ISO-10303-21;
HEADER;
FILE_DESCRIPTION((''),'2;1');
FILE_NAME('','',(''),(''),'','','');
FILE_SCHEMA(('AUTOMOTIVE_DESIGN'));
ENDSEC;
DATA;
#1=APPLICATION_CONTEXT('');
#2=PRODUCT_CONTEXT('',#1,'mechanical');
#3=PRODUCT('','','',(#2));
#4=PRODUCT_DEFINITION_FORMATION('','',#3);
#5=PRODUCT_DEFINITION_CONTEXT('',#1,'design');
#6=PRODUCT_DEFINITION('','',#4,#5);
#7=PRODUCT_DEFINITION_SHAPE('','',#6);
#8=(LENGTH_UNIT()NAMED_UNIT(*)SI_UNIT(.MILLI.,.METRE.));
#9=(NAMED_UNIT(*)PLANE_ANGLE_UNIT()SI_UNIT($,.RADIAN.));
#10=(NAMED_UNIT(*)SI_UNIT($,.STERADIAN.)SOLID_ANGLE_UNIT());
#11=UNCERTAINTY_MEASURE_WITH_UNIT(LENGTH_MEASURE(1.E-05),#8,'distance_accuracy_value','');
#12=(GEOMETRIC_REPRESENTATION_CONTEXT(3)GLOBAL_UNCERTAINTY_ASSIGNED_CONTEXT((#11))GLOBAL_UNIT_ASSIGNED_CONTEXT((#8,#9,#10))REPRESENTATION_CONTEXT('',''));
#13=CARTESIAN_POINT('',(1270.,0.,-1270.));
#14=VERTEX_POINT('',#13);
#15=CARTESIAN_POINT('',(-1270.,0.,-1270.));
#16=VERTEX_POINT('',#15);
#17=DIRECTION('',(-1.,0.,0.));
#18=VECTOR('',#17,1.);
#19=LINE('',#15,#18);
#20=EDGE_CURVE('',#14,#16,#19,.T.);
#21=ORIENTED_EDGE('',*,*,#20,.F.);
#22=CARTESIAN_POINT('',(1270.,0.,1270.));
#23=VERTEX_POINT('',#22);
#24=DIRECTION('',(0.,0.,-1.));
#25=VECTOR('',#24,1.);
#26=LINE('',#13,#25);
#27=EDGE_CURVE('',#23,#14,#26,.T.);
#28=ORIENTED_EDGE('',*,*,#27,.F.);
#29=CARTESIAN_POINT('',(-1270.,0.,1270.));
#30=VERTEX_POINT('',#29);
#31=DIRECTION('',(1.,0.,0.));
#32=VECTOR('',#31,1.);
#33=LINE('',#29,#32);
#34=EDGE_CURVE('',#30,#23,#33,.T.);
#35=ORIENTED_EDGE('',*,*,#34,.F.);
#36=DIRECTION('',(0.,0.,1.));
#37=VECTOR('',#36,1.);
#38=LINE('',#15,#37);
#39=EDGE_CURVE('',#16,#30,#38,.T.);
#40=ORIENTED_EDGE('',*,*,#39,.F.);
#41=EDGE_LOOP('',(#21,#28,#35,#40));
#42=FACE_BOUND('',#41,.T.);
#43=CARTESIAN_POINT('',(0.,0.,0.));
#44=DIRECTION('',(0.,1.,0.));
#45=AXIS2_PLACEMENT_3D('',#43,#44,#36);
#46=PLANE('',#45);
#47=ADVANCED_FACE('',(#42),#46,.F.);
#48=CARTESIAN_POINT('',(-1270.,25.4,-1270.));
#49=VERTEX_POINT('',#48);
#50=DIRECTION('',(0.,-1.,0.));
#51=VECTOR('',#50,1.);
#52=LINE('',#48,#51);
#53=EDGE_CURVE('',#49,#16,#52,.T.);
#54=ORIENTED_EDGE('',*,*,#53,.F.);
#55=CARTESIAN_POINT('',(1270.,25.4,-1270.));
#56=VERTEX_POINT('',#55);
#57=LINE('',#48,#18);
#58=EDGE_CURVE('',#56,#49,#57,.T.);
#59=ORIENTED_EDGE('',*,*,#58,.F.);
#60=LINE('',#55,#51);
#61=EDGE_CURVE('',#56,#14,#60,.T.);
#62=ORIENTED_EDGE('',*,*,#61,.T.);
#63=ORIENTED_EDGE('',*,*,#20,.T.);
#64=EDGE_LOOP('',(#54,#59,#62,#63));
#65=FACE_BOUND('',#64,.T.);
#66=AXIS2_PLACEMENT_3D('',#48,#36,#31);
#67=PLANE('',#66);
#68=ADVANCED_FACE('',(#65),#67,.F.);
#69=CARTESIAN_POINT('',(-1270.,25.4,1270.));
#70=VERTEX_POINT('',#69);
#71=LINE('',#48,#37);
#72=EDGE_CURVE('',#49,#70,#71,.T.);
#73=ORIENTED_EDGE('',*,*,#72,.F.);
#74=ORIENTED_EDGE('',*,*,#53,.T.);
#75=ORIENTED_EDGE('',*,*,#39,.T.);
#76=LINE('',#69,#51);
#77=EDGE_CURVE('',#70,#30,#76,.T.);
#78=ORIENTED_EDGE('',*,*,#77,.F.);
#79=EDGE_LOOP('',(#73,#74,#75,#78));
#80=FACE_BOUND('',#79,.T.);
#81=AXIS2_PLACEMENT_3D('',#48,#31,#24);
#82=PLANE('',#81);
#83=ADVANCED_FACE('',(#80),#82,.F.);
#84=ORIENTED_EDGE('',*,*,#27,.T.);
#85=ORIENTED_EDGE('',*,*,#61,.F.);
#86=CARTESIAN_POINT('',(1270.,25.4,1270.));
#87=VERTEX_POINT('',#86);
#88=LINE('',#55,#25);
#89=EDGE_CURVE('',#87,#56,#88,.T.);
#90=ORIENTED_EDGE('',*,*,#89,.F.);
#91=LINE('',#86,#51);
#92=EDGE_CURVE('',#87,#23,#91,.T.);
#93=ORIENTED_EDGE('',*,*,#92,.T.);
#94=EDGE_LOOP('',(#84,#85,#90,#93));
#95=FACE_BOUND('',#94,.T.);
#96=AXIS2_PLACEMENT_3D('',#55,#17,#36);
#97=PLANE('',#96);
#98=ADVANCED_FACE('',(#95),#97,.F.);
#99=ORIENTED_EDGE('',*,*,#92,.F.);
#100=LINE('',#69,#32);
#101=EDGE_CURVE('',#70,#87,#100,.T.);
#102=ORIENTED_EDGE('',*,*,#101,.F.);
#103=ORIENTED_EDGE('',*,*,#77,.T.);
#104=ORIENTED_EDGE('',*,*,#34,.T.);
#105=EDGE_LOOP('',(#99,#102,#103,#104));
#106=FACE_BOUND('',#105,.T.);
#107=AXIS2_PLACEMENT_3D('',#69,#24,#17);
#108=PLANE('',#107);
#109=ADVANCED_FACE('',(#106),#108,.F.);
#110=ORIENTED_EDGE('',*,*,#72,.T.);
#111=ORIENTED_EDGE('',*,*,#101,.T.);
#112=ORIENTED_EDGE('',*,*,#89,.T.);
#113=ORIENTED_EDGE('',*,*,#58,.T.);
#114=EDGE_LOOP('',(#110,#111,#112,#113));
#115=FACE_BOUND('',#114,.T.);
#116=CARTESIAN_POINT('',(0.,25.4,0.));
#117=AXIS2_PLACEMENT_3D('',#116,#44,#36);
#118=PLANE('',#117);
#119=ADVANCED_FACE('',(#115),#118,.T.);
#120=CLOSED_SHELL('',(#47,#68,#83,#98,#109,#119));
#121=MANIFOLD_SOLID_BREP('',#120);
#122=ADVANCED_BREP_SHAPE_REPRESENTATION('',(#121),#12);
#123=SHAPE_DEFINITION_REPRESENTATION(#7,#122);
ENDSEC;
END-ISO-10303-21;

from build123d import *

# Parameters (mm, degrees)
SKETCH1_W           = 2540
SKETCH1_H           = 2540
BOSS_EXTRUDE1_DEPTH = 25.4


with BuildPart() as part:
    # Sketch1 → Boss-Extrude1 (new body)
    with BuildSketch(Plane(origin=(0, 0, 0), x_dir=(1, 0, 0), z_dir=(0, 1, 0))):
        Rectangle(SKETCH1_W, SKETCH1_H)
    extrude(amount=BOSS_EXTRUDE1_DEPTH)


solid = part.part
